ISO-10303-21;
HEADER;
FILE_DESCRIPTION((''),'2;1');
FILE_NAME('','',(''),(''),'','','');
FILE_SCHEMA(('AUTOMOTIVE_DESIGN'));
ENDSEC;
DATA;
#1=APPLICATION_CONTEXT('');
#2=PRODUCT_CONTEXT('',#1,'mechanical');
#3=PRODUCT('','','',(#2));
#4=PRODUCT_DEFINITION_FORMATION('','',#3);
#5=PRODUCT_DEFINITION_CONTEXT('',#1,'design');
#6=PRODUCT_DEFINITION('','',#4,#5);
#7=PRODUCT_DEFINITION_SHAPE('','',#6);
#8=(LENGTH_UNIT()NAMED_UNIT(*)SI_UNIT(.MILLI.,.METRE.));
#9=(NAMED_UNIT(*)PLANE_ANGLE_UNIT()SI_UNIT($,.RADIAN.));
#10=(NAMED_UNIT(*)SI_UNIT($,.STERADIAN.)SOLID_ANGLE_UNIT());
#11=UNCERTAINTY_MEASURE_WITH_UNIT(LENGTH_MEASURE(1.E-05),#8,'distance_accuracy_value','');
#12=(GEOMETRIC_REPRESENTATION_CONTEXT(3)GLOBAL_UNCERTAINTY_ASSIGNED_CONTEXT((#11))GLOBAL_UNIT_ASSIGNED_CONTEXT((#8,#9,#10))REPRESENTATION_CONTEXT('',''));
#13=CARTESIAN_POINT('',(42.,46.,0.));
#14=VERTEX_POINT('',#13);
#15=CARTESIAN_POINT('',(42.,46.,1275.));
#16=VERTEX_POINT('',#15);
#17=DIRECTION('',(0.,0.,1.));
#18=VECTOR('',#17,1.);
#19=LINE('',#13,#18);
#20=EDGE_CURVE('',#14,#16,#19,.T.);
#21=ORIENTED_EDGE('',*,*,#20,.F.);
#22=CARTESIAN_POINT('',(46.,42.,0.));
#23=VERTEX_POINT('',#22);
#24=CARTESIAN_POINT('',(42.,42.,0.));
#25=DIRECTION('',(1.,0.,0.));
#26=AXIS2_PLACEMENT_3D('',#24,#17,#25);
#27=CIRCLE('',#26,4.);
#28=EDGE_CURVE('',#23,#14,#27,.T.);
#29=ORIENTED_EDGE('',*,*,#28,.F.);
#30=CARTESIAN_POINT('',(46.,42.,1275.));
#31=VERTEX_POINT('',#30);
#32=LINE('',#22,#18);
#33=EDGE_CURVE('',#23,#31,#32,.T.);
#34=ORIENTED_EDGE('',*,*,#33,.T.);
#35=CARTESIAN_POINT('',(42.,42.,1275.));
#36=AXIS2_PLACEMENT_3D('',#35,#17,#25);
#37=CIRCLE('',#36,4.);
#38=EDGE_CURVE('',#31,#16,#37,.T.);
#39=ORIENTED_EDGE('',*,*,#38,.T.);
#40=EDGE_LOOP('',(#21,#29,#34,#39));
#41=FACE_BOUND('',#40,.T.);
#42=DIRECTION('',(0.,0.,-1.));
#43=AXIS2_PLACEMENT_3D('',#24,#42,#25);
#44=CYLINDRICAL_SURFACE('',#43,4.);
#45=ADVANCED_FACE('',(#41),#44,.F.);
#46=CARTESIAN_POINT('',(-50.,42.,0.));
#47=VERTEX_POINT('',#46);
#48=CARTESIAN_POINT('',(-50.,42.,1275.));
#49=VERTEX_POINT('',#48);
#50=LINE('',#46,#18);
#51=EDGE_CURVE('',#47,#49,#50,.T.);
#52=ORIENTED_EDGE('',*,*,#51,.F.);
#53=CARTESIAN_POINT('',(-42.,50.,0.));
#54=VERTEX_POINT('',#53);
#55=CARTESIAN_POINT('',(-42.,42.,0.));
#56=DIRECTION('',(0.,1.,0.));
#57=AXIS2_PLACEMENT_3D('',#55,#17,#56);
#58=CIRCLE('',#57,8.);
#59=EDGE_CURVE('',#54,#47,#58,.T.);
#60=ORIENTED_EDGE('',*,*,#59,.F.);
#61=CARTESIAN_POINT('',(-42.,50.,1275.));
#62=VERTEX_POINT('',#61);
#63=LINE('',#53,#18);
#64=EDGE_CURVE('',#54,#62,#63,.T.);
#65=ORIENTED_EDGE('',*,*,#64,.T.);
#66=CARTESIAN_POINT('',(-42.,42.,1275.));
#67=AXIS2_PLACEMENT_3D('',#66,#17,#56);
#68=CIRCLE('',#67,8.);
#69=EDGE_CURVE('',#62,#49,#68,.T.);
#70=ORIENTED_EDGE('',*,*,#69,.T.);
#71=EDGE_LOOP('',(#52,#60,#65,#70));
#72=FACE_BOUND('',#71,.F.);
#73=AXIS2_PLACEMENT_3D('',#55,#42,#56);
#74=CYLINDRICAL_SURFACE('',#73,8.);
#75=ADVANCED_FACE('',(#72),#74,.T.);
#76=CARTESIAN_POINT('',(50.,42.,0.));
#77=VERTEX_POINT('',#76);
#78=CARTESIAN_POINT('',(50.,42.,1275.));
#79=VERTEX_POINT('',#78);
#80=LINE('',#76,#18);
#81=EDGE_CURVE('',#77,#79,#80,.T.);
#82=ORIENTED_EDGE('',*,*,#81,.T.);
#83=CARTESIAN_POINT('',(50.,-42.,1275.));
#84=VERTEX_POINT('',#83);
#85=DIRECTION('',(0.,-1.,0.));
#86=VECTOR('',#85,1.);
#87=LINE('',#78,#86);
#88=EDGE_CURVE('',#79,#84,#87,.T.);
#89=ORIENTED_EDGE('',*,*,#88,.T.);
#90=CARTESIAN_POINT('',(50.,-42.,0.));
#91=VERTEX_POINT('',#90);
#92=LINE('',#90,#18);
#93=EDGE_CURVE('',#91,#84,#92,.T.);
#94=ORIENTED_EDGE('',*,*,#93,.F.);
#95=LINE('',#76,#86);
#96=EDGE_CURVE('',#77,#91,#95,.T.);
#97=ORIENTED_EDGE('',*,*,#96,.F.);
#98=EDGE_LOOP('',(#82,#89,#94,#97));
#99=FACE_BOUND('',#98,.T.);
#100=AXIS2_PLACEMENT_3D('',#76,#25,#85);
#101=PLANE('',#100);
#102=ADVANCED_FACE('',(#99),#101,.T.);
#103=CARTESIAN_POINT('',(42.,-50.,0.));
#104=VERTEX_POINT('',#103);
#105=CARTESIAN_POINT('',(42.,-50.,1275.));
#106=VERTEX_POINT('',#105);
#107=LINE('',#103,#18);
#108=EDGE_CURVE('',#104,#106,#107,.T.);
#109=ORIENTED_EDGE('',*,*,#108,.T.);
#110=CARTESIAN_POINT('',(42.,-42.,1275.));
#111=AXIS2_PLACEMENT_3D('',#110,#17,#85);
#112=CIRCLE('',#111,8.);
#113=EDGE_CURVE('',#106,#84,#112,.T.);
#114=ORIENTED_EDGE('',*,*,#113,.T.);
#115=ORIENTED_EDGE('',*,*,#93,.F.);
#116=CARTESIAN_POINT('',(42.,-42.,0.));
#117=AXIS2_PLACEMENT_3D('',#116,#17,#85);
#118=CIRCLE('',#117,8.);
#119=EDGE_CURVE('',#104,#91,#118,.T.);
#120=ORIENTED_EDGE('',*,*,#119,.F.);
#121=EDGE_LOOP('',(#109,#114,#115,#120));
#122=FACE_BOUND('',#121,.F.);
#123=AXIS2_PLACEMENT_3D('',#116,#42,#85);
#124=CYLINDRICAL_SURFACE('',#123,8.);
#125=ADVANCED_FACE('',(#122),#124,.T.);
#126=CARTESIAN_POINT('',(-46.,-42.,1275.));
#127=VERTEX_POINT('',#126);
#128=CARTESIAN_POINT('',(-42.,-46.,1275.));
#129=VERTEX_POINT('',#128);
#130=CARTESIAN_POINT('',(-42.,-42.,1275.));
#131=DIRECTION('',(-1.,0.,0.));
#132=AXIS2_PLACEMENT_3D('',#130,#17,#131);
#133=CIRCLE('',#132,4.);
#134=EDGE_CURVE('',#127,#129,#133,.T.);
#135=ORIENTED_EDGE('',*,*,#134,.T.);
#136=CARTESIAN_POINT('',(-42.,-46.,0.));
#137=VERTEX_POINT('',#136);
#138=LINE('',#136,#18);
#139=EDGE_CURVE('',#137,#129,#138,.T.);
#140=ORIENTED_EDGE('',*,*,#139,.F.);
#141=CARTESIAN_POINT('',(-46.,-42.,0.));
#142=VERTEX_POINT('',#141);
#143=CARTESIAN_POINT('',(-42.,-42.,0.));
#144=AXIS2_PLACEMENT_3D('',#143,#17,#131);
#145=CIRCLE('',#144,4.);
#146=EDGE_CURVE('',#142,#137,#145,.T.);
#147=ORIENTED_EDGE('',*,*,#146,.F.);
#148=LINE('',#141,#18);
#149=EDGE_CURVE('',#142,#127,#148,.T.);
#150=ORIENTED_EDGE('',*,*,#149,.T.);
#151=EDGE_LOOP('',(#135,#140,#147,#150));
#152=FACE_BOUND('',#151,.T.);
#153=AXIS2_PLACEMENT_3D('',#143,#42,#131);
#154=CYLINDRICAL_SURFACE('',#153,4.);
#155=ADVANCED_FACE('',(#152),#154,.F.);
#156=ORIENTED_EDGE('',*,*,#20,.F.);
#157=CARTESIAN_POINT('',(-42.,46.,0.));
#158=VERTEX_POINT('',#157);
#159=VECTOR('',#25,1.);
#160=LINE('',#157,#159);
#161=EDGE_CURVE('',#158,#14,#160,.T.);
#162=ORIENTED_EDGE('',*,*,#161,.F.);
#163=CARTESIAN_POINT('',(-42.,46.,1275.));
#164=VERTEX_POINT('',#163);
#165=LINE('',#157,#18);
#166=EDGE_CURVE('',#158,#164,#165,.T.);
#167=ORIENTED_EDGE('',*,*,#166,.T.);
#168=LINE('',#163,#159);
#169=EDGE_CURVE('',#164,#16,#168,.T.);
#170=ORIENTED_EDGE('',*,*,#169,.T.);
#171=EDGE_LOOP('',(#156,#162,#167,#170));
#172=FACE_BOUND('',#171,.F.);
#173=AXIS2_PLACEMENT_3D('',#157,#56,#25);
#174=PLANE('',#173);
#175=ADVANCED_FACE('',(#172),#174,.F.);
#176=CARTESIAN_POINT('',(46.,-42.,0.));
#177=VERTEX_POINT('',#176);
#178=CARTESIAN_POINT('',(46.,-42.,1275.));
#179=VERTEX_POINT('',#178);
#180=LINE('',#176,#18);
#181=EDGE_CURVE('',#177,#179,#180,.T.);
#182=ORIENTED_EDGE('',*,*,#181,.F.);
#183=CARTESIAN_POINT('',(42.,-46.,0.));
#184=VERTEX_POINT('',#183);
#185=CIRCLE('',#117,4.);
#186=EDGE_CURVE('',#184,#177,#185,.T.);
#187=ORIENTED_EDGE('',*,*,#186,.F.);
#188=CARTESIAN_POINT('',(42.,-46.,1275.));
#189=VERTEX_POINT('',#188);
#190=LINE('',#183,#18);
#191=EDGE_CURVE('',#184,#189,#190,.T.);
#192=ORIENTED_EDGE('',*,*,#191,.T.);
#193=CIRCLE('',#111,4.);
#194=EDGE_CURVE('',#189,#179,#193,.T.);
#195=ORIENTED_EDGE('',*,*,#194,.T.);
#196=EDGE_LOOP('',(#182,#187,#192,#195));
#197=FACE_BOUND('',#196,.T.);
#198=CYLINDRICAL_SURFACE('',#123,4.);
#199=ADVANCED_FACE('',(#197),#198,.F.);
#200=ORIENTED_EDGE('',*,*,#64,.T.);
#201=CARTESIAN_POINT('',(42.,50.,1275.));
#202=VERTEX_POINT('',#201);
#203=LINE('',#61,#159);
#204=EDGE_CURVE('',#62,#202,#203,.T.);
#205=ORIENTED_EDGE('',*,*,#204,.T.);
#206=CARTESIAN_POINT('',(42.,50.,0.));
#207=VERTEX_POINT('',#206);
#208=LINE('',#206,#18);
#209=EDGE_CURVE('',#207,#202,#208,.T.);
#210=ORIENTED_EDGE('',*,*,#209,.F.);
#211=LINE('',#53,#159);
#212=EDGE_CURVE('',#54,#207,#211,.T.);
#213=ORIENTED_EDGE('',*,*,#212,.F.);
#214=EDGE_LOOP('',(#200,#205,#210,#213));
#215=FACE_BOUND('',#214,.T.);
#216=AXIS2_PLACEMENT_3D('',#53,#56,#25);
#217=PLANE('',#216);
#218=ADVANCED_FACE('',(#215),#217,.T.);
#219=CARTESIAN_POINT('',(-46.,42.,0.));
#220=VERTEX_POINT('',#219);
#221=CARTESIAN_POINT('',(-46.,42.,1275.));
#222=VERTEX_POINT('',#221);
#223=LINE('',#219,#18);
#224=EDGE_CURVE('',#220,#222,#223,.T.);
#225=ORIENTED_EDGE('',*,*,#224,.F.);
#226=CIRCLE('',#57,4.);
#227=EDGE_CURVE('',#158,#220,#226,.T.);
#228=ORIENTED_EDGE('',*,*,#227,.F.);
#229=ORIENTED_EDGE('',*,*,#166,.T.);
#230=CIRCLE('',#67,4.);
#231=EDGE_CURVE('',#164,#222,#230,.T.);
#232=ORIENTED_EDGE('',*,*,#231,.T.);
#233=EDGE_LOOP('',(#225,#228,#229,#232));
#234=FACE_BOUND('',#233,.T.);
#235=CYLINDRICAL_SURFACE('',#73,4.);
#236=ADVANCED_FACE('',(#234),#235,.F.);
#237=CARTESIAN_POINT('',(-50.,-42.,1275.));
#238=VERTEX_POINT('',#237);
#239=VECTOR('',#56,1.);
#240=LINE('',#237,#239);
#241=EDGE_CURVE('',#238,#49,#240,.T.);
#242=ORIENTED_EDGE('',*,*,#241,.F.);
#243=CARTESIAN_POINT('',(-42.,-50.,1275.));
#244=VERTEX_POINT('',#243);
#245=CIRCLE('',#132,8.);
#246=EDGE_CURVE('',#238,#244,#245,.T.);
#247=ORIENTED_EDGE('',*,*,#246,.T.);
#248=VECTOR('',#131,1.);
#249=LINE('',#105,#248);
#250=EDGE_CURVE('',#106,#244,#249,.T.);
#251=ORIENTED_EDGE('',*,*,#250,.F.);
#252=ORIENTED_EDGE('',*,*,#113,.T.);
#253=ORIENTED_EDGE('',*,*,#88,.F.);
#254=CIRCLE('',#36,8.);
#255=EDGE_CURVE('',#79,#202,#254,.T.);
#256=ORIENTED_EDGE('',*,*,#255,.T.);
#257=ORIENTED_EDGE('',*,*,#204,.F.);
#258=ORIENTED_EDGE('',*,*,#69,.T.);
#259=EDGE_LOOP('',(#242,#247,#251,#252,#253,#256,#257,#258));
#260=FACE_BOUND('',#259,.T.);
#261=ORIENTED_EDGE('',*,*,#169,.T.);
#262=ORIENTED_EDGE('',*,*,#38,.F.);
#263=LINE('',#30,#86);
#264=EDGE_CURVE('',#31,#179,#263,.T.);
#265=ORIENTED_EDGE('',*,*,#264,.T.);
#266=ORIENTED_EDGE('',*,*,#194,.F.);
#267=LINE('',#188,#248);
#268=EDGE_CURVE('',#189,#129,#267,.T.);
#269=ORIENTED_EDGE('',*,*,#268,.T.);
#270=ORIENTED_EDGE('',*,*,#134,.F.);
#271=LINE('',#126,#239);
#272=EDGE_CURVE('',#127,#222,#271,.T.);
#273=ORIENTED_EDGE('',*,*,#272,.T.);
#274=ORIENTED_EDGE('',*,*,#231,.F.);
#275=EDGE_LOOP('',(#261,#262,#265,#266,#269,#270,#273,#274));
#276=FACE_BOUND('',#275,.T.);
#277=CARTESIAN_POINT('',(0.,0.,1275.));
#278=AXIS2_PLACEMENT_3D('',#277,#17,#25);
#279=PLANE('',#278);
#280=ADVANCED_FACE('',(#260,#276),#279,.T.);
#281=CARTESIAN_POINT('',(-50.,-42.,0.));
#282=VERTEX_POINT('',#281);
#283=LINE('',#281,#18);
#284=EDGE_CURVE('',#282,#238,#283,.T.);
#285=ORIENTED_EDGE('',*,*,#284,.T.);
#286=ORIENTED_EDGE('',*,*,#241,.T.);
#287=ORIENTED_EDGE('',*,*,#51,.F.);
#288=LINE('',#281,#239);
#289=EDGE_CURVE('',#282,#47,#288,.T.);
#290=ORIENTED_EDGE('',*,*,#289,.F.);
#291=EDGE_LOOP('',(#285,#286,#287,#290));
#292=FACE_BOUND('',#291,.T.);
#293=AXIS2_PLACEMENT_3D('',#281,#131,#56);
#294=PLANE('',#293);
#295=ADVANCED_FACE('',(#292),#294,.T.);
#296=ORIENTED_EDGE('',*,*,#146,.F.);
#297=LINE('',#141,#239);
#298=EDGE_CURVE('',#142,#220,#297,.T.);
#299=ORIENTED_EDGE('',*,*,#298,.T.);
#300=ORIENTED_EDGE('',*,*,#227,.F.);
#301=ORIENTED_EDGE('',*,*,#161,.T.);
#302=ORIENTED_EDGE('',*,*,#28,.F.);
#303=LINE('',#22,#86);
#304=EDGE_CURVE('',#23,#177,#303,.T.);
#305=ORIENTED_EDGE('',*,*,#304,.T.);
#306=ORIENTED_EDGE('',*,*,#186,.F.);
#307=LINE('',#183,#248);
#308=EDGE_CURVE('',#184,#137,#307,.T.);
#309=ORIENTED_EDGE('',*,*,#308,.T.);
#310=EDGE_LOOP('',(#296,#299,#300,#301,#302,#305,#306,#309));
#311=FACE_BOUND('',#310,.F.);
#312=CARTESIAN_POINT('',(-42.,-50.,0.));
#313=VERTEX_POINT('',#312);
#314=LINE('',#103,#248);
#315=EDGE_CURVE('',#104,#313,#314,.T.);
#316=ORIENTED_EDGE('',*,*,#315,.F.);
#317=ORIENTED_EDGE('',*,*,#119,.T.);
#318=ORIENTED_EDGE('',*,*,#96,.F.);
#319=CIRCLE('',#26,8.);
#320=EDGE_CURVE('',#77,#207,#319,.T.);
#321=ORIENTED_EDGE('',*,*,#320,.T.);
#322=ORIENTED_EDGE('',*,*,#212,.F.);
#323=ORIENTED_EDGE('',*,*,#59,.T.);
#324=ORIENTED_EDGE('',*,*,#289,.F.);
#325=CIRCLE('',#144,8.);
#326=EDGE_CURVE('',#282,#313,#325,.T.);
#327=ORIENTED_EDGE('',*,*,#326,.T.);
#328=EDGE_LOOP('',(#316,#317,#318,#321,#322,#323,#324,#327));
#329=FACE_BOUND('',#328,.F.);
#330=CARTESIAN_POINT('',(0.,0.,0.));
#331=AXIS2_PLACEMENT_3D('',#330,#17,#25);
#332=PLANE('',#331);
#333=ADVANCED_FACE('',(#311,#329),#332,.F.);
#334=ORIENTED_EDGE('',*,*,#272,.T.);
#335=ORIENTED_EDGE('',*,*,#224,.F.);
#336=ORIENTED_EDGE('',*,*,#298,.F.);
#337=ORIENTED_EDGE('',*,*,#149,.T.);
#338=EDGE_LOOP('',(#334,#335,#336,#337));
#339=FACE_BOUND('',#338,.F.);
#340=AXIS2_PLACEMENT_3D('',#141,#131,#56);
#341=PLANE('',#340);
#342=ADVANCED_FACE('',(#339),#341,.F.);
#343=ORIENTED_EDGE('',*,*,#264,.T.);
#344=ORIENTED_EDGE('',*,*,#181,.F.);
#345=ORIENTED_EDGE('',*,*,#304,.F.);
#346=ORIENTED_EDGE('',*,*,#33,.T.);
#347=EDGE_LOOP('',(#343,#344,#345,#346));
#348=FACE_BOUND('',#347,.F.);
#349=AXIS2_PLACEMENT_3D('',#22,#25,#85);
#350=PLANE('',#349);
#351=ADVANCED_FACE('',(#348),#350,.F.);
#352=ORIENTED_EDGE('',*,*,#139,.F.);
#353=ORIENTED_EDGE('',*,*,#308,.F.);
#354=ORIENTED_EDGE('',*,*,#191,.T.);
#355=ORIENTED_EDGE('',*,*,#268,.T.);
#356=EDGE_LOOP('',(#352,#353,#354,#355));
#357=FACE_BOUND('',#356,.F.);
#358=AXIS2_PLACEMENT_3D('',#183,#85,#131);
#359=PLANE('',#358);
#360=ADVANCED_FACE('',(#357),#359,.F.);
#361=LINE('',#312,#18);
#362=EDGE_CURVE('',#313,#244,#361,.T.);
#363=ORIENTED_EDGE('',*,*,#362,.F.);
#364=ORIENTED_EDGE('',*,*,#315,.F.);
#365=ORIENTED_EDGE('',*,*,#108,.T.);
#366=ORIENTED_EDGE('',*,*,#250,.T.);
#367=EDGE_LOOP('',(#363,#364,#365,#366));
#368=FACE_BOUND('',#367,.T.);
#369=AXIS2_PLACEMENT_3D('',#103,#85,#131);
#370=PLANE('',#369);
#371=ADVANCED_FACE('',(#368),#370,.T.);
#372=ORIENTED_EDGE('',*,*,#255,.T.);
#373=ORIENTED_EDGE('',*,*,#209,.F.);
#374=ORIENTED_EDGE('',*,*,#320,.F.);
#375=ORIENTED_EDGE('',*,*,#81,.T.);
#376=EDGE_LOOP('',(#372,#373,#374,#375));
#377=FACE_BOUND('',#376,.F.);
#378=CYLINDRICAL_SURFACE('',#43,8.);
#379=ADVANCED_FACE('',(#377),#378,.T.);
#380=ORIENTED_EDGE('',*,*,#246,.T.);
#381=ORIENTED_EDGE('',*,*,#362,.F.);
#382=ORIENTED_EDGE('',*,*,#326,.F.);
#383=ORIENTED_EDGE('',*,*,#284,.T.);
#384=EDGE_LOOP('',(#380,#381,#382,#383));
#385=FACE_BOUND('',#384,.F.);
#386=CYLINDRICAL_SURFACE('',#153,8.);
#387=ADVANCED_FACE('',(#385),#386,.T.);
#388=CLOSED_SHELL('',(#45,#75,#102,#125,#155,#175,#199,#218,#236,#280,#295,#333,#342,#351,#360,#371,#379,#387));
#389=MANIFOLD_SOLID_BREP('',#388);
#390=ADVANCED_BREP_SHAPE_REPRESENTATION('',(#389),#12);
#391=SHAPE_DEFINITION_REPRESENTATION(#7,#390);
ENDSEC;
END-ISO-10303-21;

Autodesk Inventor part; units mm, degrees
ref_plane "YZ Plane" through (0, 0, 0) normal (1, 0, 0) x (0, 1, 0)
ref_plane "Start Plane" through (0, 0, 0) normal (0, 0, 1) x (1, 0, 0)
ref_plane "End Plane" through (0, 0, 1275) normal (0, 0, 1) x (1, 0, 0)
sketch "Sketch" plane through (0, 0, 0) normal (0, 0, 1) x (1, 0, 0)
  line L0 (-50, -42) -> (-50, 42)
  line L1 (-42, 50) -> (42, 50)
  line L2 (50, 42) -> (50, -42)
  line L3 (42, -50) -> (-42, -50)
  arc A0 (-50, -42) -> (-42, -50) centre (-42, -42) ccw
  arc A1 (50, 42) -> (42, 50) centre (42, 42) ccw
  arc A2 (-42, 50) -> (-50, 42) centre (-42, 42) ccw
  arc A3 (42, -50) -> (50, -42) centre (42, -42) ccw
  arc A4 (-42, 46) -> (-46, 42) centre (-42, 42) ccw
  line L4 (-42, 46) -> (42, 46)
  arc A5 (46, 42) -> (42, 46) centre (42, 42) ccw
  line L5 (46, 42) -> (46, -42)
  arc A6 (42, -46) -> (46, -42) centre (42, -42) ccw
  line L6 (42, -46) -> (-42, -46)
  arc A7 (-46, -42) -> (-42, -46) centre (-42, -42) ccw
  line L7 (-46, -42) -> (-46, 42)
  line L8 (0, 72.3196) -> (0, -72.3196) construction
  line L9 (-72.3196, 0) -> (72.3196, 0) construction
  dimension "d7" = 8
  dimension "d9" = 100
  dimension "d11" = 100
  dimension "d12" = 4
  dimension "d15" = 50
  dimension "d16" = 50
extrude "Body" add sketch "Sketch" along normal up to surface (1275 mm away) from surface at 0
sketch "Sketch3" plane through (0, 0, 0) normal (0, 0, 1) x (1, 0, 0)
  line L0 (0, 0) -> (10, 0)
ref_plane "Work Plane3" through (0, 0, 0) normal (0, -1, 0) x (1, 0, 0)
sketch "Sketch4" plane through (0, 0, 0) normal (0, -1, 0) x (1, 0, 0)
  line L0 (-2, 0) -> (12, 0) projected
  line L1 (-2, 1275) -> (12, 1275) projected
  dimension "d18" = 1275
equation "\"d7\" = G_IR"
equation "\"d9\" = G_W"
equation "\"d11\" = G_H"
equation "\"d12\" = G_T"
equation "\"d15\" = 0.5 * d9"
equation "\"d16\" = 0.5 * d11"
equation "\"d3\" = G_L"
equation "\"G_W\" = 100"
equation "\"G_H\" = 100"
equation "\"G_T\" = 4"
equation "\"G_IR\" = 8"
equation "\"G_L\" = d18"
equation "\"G_OFFSET_START\" = 0"
equation "\"G_OFFSET_END\" = 0"
equation "\"d14\" = G_OFFSET_END + B_L"
equation "\"B_L\" = 1275"
properties part number "ISO 10799-2 - 100x100x4 - 1275" material "Steel, Mild"
